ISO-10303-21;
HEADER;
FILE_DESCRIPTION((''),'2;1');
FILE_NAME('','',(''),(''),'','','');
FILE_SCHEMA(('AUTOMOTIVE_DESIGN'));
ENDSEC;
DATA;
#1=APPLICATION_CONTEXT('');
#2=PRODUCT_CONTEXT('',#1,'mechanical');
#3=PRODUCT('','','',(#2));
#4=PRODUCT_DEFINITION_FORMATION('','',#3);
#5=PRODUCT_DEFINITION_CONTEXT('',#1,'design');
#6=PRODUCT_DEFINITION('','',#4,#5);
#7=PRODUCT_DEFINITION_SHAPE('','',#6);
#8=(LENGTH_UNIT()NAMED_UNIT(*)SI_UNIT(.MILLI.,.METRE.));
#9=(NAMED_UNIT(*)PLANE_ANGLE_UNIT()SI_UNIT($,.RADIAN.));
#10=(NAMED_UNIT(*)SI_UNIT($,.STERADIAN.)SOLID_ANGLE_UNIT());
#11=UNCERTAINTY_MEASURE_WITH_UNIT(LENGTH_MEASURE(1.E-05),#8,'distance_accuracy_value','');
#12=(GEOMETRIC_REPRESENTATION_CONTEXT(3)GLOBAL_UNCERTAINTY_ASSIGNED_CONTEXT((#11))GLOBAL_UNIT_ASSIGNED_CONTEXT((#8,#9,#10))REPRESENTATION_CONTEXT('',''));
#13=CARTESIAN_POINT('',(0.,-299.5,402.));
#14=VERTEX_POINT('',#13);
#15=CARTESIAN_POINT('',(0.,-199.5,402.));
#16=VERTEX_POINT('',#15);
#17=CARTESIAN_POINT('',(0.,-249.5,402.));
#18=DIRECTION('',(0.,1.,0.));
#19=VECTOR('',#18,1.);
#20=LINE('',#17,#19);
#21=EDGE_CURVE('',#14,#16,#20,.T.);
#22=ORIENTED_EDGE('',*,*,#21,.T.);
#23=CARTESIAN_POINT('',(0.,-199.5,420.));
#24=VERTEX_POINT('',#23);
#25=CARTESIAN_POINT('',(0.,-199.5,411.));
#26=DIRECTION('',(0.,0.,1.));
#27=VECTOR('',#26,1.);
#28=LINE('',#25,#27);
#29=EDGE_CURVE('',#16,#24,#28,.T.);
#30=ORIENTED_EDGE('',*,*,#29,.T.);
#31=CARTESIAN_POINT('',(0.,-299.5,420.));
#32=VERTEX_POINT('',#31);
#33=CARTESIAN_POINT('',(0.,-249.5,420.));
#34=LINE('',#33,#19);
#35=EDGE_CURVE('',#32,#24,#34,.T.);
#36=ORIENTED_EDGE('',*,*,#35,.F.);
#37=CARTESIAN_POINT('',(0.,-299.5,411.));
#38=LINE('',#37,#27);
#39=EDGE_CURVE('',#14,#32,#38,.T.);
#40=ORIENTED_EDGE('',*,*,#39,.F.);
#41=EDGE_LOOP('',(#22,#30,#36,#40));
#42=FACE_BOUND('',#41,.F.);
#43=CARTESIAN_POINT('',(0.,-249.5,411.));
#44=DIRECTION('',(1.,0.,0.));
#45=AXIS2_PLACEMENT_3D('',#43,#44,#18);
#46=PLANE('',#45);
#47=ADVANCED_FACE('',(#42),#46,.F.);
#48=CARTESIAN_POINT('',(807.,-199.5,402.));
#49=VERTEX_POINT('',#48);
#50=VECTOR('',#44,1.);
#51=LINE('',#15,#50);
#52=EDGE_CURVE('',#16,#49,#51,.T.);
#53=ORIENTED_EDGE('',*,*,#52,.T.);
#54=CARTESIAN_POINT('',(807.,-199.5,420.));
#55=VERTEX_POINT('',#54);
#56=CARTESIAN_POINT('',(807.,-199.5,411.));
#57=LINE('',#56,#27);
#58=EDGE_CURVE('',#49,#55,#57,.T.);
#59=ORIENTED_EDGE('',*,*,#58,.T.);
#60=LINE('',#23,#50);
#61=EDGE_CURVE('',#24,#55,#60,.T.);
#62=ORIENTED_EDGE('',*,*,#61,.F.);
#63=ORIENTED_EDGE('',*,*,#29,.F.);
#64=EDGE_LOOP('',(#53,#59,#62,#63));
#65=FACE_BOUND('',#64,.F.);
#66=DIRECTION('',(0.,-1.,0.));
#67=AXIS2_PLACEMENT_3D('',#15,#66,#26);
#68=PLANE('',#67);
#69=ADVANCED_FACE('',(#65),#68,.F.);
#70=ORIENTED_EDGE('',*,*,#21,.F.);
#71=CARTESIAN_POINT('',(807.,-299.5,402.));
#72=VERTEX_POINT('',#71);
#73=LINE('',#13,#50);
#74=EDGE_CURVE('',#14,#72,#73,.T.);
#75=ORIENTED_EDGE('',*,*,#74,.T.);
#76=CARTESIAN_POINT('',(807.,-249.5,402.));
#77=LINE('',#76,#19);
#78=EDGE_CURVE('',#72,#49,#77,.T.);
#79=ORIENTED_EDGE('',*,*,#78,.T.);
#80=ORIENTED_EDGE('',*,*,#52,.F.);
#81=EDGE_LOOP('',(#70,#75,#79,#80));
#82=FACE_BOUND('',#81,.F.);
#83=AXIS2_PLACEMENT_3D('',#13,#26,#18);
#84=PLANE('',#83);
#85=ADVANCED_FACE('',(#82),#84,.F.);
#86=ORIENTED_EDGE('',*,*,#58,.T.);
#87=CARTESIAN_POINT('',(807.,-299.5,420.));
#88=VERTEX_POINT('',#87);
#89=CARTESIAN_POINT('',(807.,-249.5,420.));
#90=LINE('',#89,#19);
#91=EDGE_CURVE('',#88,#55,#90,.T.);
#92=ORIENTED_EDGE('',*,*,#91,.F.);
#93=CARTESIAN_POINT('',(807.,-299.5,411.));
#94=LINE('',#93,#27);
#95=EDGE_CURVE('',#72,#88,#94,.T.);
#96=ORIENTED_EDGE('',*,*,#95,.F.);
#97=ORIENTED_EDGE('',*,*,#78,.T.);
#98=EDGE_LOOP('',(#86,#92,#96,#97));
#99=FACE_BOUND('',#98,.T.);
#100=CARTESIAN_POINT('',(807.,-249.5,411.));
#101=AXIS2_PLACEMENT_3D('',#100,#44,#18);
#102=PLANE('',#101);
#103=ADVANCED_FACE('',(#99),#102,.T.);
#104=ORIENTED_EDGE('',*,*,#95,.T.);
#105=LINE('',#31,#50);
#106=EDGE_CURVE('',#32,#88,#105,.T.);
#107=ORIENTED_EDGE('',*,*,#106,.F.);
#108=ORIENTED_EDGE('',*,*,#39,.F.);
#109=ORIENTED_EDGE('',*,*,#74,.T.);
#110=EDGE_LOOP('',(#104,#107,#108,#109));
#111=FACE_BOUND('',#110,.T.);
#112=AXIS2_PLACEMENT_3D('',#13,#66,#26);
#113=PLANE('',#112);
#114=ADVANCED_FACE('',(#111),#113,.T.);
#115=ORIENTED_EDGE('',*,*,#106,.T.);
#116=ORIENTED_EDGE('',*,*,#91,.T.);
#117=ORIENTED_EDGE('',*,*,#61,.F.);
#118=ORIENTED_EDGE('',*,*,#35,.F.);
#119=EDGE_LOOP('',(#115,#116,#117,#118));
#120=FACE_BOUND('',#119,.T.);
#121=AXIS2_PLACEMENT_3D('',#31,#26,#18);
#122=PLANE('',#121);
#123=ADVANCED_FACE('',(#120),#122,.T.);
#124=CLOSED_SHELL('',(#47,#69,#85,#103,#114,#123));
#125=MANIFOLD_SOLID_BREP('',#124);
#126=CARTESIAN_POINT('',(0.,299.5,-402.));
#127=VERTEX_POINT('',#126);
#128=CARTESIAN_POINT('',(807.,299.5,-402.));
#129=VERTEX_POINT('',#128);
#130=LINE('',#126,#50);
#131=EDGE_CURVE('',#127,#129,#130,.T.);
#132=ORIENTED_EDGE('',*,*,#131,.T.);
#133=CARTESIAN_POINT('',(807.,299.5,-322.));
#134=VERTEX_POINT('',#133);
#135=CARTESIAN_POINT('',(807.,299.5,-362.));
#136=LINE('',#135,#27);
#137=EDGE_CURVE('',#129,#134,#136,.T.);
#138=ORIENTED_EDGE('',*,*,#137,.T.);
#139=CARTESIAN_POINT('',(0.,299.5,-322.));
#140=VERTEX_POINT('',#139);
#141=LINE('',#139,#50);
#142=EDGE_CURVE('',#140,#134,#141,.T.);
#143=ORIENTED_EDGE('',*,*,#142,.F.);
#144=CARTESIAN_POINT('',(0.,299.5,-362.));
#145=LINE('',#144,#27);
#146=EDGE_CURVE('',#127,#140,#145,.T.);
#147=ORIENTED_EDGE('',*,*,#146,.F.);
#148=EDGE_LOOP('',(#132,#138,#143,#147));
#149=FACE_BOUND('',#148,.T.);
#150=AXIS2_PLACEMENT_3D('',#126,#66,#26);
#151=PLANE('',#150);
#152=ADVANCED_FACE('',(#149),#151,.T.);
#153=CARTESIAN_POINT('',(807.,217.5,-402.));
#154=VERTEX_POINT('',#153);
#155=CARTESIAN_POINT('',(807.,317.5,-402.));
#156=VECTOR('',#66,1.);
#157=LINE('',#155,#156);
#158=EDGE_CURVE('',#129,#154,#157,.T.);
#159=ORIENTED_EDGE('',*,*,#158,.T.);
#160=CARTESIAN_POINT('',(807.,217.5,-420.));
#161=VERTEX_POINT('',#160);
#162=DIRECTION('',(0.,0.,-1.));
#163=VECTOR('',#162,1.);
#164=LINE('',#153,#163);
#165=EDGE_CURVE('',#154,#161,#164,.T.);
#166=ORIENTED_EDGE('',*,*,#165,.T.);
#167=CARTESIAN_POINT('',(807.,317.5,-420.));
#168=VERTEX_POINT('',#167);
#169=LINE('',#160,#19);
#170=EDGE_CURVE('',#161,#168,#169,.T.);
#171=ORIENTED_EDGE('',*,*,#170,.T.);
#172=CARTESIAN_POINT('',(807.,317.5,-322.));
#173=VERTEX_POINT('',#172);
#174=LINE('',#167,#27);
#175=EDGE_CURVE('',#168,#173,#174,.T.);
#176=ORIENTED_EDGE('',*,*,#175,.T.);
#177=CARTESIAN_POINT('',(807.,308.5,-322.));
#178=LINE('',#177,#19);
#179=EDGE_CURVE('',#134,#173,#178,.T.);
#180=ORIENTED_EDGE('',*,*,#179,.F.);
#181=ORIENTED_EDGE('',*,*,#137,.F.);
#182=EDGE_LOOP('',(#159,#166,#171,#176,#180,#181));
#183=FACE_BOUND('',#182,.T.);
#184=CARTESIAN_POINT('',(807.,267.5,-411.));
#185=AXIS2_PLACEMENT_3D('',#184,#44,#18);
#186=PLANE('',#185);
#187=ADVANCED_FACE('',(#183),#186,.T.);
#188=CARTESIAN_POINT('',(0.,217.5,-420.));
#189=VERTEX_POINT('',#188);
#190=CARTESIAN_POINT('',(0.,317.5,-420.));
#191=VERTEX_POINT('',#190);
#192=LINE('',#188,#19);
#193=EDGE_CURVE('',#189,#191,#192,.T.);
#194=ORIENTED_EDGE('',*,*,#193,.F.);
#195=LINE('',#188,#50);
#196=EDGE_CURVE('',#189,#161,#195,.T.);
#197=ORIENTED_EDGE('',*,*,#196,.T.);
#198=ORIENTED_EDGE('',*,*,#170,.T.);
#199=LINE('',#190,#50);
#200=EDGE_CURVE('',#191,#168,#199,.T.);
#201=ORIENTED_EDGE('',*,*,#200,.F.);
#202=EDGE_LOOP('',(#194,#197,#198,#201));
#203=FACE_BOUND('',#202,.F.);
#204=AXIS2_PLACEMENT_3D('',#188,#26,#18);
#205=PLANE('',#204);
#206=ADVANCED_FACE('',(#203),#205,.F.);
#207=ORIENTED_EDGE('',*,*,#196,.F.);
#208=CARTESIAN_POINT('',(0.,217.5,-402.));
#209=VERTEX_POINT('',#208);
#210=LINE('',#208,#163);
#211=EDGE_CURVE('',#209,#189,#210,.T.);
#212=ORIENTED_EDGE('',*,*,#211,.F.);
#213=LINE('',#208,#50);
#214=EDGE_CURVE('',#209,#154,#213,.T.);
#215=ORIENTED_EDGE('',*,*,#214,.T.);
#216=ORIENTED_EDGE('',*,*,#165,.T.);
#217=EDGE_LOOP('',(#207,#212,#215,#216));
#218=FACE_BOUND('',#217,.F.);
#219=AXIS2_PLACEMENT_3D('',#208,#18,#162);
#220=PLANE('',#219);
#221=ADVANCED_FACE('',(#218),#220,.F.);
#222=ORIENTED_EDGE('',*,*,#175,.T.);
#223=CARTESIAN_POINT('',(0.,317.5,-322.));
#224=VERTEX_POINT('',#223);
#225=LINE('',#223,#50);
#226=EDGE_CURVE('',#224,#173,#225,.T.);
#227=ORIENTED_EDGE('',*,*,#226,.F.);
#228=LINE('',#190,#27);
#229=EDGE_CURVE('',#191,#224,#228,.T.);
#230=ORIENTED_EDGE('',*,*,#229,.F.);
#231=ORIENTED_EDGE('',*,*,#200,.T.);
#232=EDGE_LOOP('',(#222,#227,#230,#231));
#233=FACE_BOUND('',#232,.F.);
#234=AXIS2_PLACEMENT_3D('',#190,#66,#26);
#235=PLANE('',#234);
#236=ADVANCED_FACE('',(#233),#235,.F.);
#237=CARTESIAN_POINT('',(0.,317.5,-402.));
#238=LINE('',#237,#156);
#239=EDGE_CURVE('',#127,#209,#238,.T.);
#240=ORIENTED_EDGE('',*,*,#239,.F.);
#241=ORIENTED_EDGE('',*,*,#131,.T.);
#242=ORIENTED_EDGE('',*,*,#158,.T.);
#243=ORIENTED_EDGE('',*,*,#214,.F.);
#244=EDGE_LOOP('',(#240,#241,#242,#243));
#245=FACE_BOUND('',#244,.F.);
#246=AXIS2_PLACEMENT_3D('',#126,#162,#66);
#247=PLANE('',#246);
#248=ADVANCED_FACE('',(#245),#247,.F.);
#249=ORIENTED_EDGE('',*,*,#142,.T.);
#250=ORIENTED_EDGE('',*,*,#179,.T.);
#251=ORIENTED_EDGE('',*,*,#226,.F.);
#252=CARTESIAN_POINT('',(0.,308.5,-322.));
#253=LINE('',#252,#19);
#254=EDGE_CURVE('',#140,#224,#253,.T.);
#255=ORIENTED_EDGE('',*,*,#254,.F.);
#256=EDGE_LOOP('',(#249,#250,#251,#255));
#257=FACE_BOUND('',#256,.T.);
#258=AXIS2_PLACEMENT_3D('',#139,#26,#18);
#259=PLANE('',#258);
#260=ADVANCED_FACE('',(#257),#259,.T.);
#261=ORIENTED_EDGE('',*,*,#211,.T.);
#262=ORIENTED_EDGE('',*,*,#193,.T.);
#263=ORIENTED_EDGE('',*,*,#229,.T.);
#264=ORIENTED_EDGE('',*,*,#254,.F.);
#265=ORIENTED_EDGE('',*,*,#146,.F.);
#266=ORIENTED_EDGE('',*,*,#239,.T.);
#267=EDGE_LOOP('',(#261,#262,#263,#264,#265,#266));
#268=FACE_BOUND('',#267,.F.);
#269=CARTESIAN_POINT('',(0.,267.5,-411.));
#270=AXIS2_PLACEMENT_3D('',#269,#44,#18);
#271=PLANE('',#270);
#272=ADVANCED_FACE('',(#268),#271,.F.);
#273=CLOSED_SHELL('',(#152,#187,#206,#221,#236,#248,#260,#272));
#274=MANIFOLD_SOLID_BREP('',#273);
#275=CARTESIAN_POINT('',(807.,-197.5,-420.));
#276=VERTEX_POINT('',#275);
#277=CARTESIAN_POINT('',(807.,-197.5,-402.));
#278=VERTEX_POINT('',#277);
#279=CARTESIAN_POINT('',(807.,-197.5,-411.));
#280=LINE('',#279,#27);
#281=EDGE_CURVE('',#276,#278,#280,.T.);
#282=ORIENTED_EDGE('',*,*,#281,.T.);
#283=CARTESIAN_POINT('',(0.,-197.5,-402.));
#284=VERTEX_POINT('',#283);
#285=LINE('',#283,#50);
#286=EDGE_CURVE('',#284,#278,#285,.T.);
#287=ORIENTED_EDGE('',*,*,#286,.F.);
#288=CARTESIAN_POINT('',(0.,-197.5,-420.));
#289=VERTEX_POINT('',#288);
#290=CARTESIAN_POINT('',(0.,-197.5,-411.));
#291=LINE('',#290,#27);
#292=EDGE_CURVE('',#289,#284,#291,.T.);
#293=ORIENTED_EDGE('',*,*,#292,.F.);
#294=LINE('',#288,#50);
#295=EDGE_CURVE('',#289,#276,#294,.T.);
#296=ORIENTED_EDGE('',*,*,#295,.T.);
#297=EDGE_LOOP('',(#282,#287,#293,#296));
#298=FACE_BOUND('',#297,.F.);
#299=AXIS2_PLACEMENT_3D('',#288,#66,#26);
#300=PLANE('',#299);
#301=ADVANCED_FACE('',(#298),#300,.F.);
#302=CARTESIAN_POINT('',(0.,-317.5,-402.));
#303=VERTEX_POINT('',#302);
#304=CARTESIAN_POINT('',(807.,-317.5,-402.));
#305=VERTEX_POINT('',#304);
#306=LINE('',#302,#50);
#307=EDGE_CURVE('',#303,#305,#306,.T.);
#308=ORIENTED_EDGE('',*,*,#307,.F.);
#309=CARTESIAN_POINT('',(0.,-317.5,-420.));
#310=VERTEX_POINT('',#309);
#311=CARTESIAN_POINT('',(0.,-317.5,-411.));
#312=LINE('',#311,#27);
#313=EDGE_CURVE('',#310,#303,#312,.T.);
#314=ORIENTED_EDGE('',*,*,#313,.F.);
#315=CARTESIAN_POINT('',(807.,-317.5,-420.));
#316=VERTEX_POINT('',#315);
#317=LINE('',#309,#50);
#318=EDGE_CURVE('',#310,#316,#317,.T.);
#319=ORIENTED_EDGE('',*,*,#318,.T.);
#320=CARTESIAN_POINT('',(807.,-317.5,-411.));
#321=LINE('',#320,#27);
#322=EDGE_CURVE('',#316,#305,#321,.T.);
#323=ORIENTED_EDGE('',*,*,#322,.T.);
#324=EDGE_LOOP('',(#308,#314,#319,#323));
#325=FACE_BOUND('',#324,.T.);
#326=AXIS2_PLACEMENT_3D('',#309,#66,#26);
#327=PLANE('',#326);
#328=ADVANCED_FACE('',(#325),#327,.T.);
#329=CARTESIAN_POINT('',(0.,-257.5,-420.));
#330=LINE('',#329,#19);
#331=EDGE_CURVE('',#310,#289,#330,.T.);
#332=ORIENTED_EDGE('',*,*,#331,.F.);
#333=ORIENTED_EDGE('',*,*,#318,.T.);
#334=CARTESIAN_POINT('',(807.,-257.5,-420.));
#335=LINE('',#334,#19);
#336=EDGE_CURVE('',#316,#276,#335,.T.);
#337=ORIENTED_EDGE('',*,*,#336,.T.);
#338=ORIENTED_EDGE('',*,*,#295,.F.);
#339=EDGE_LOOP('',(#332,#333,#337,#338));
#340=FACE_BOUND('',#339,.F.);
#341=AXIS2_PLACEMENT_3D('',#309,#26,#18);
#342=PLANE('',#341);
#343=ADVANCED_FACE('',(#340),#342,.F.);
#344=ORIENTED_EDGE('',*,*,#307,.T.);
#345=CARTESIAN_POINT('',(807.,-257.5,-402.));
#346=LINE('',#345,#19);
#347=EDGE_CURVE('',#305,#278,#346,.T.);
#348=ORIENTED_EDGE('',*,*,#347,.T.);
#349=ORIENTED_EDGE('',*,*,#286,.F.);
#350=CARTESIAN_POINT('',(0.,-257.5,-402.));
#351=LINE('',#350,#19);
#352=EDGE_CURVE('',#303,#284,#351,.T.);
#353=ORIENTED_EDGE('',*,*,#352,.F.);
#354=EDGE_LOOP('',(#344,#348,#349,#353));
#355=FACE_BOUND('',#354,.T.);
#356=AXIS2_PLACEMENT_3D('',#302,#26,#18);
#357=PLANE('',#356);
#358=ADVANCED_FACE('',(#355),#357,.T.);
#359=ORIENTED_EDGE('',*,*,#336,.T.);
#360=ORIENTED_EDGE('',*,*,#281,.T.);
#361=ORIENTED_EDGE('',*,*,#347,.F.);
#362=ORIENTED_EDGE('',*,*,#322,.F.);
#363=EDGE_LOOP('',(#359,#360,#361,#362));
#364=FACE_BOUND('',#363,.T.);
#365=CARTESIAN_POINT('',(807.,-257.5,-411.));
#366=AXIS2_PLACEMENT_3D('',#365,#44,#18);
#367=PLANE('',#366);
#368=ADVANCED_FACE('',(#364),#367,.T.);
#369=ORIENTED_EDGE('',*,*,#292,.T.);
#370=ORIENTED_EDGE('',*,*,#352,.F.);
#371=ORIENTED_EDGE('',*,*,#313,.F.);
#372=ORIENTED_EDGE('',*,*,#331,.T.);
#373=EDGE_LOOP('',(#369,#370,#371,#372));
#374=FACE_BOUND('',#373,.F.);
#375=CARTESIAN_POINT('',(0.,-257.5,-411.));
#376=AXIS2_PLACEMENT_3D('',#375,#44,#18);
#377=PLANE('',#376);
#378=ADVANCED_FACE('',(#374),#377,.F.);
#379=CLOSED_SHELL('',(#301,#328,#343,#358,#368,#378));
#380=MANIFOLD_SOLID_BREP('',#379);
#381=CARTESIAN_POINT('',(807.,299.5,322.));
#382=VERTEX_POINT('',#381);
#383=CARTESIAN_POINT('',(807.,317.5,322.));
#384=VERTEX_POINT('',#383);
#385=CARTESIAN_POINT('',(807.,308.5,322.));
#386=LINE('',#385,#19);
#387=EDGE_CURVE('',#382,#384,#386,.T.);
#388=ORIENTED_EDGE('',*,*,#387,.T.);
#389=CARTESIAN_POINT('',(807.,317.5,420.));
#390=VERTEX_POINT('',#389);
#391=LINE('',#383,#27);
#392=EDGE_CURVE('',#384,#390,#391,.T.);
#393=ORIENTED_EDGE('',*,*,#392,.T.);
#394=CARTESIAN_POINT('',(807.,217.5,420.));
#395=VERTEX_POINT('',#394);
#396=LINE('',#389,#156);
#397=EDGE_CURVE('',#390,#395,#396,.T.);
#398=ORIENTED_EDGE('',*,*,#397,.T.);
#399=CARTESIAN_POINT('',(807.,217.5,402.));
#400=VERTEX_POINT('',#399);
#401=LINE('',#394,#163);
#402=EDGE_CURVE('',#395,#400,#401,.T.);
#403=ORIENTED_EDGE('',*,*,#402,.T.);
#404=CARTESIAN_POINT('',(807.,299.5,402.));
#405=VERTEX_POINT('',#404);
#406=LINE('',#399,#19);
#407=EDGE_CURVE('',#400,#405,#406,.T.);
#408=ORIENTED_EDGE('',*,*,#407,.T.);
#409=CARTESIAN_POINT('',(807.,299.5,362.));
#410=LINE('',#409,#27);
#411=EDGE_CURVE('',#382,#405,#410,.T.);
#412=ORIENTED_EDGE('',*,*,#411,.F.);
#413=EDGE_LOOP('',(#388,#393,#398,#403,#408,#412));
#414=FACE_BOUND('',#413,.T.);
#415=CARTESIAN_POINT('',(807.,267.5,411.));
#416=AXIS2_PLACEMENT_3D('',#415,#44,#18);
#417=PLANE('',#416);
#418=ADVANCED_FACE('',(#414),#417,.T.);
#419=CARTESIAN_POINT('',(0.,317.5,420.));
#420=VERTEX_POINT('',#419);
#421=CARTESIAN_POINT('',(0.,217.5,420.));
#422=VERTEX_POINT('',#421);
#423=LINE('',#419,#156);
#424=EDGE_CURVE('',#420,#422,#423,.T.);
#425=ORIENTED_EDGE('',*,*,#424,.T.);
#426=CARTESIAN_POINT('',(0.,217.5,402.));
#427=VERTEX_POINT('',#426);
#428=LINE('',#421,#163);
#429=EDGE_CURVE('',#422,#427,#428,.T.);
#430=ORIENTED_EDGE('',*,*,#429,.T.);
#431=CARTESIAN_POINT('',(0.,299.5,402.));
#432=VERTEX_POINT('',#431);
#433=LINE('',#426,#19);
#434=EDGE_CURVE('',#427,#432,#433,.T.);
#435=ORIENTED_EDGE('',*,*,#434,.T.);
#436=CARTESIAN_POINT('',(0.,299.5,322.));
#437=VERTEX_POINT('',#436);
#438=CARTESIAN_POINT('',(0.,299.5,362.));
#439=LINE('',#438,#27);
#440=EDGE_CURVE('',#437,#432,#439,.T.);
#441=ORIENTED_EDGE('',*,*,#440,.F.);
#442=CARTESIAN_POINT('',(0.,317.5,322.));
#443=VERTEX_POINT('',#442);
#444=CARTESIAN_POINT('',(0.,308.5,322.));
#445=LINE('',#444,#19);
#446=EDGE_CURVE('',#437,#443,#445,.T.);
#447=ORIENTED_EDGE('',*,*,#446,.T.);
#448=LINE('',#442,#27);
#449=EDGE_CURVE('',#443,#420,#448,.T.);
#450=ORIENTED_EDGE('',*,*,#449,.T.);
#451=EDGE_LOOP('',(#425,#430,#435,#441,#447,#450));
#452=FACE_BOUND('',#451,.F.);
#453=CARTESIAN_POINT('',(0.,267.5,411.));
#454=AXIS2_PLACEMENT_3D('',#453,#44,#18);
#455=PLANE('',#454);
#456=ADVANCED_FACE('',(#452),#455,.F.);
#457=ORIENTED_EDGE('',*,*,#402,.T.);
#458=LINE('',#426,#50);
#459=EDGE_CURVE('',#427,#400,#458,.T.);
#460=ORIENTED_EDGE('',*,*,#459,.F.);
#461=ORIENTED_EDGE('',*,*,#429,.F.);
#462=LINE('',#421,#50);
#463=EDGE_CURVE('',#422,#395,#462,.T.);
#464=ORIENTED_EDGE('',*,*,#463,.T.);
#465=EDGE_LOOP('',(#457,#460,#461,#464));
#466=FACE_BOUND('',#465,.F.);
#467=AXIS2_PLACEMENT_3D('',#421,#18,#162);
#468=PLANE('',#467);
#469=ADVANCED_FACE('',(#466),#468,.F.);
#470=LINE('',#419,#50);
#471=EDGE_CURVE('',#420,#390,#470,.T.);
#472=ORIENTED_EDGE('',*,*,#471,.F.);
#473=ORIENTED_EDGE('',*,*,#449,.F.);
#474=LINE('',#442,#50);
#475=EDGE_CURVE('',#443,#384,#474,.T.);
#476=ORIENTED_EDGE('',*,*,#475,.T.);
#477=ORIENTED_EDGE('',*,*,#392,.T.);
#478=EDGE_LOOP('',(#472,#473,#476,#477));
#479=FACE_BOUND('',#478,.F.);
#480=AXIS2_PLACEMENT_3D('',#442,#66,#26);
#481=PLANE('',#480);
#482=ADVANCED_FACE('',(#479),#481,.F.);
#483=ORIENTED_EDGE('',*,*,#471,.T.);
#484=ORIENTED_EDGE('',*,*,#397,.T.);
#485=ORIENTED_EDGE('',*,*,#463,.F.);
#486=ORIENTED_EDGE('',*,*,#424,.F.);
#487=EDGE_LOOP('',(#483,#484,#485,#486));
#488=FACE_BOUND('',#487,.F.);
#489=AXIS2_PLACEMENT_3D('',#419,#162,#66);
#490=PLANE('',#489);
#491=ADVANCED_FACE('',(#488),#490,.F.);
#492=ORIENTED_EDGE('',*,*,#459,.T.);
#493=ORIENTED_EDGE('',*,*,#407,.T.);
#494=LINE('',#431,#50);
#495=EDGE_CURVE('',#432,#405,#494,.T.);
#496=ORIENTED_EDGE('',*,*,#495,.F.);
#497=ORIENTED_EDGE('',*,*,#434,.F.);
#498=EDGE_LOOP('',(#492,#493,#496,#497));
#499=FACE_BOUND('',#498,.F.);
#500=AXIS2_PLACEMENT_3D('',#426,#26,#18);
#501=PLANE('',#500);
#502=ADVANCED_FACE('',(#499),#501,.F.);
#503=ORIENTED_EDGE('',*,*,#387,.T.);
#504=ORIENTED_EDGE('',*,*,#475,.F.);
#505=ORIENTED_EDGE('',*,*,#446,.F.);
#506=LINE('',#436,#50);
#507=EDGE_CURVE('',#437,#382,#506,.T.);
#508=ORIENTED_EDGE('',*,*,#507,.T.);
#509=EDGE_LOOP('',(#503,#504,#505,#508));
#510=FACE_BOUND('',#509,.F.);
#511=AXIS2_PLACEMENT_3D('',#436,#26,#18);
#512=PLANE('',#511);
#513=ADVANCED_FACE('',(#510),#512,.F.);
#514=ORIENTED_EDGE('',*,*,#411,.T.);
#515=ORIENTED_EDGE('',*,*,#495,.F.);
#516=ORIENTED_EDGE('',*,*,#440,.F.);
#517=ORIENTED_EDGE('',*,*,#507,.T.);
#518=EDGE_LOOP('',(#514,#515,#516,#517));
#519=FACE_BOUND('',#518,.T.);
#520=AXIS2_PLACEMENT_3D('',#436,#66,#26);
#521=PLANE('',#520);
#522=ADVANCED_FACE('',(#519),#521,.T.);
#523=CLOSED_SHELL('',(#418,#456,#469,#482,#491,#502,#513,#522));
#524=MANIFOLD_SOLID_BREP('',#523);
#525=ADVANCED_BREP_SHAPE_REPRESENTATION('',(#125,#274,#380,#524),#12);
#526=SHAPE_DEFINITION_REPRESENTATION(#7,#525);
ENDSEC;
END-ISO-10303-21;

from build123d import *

# Parameters (mm, degrees)
F0_W     = 18
F0_H     = 80
F0_W_2   = 100
F0_H_2   = 18
F0_W_3   = 120
F1_DEPTH = 807


with BuildPart() as f1:
    # F0 (on Right) → F1 (new body)
    with BuildSketch(Plane.YZ):
        Polygon((317.5, 402), (317.5, 420), (217.5, 420), (217.5, 402), (299.5, 402), align=None)
        with Locations((308.5, 362)):
            Rectangle(F0_W, F0_H)
        with Locations((-249.5, 411)):
            Rectangle(F0_W_2, F0_H_2)
        with Locations((-257.5, -411)):
            Rectangle(F0_W_3, F0_H_2)
        Polygon((217.5, -420), (317.5, -420), (317.5, -402), (299.5, -402), (217.5, -402), align=None)
        with Locations((308.5, -362)):
            Rectangle(F0_W, F0_H)
    extrude(amount=F1_DEPTH)


solid = f1.part
